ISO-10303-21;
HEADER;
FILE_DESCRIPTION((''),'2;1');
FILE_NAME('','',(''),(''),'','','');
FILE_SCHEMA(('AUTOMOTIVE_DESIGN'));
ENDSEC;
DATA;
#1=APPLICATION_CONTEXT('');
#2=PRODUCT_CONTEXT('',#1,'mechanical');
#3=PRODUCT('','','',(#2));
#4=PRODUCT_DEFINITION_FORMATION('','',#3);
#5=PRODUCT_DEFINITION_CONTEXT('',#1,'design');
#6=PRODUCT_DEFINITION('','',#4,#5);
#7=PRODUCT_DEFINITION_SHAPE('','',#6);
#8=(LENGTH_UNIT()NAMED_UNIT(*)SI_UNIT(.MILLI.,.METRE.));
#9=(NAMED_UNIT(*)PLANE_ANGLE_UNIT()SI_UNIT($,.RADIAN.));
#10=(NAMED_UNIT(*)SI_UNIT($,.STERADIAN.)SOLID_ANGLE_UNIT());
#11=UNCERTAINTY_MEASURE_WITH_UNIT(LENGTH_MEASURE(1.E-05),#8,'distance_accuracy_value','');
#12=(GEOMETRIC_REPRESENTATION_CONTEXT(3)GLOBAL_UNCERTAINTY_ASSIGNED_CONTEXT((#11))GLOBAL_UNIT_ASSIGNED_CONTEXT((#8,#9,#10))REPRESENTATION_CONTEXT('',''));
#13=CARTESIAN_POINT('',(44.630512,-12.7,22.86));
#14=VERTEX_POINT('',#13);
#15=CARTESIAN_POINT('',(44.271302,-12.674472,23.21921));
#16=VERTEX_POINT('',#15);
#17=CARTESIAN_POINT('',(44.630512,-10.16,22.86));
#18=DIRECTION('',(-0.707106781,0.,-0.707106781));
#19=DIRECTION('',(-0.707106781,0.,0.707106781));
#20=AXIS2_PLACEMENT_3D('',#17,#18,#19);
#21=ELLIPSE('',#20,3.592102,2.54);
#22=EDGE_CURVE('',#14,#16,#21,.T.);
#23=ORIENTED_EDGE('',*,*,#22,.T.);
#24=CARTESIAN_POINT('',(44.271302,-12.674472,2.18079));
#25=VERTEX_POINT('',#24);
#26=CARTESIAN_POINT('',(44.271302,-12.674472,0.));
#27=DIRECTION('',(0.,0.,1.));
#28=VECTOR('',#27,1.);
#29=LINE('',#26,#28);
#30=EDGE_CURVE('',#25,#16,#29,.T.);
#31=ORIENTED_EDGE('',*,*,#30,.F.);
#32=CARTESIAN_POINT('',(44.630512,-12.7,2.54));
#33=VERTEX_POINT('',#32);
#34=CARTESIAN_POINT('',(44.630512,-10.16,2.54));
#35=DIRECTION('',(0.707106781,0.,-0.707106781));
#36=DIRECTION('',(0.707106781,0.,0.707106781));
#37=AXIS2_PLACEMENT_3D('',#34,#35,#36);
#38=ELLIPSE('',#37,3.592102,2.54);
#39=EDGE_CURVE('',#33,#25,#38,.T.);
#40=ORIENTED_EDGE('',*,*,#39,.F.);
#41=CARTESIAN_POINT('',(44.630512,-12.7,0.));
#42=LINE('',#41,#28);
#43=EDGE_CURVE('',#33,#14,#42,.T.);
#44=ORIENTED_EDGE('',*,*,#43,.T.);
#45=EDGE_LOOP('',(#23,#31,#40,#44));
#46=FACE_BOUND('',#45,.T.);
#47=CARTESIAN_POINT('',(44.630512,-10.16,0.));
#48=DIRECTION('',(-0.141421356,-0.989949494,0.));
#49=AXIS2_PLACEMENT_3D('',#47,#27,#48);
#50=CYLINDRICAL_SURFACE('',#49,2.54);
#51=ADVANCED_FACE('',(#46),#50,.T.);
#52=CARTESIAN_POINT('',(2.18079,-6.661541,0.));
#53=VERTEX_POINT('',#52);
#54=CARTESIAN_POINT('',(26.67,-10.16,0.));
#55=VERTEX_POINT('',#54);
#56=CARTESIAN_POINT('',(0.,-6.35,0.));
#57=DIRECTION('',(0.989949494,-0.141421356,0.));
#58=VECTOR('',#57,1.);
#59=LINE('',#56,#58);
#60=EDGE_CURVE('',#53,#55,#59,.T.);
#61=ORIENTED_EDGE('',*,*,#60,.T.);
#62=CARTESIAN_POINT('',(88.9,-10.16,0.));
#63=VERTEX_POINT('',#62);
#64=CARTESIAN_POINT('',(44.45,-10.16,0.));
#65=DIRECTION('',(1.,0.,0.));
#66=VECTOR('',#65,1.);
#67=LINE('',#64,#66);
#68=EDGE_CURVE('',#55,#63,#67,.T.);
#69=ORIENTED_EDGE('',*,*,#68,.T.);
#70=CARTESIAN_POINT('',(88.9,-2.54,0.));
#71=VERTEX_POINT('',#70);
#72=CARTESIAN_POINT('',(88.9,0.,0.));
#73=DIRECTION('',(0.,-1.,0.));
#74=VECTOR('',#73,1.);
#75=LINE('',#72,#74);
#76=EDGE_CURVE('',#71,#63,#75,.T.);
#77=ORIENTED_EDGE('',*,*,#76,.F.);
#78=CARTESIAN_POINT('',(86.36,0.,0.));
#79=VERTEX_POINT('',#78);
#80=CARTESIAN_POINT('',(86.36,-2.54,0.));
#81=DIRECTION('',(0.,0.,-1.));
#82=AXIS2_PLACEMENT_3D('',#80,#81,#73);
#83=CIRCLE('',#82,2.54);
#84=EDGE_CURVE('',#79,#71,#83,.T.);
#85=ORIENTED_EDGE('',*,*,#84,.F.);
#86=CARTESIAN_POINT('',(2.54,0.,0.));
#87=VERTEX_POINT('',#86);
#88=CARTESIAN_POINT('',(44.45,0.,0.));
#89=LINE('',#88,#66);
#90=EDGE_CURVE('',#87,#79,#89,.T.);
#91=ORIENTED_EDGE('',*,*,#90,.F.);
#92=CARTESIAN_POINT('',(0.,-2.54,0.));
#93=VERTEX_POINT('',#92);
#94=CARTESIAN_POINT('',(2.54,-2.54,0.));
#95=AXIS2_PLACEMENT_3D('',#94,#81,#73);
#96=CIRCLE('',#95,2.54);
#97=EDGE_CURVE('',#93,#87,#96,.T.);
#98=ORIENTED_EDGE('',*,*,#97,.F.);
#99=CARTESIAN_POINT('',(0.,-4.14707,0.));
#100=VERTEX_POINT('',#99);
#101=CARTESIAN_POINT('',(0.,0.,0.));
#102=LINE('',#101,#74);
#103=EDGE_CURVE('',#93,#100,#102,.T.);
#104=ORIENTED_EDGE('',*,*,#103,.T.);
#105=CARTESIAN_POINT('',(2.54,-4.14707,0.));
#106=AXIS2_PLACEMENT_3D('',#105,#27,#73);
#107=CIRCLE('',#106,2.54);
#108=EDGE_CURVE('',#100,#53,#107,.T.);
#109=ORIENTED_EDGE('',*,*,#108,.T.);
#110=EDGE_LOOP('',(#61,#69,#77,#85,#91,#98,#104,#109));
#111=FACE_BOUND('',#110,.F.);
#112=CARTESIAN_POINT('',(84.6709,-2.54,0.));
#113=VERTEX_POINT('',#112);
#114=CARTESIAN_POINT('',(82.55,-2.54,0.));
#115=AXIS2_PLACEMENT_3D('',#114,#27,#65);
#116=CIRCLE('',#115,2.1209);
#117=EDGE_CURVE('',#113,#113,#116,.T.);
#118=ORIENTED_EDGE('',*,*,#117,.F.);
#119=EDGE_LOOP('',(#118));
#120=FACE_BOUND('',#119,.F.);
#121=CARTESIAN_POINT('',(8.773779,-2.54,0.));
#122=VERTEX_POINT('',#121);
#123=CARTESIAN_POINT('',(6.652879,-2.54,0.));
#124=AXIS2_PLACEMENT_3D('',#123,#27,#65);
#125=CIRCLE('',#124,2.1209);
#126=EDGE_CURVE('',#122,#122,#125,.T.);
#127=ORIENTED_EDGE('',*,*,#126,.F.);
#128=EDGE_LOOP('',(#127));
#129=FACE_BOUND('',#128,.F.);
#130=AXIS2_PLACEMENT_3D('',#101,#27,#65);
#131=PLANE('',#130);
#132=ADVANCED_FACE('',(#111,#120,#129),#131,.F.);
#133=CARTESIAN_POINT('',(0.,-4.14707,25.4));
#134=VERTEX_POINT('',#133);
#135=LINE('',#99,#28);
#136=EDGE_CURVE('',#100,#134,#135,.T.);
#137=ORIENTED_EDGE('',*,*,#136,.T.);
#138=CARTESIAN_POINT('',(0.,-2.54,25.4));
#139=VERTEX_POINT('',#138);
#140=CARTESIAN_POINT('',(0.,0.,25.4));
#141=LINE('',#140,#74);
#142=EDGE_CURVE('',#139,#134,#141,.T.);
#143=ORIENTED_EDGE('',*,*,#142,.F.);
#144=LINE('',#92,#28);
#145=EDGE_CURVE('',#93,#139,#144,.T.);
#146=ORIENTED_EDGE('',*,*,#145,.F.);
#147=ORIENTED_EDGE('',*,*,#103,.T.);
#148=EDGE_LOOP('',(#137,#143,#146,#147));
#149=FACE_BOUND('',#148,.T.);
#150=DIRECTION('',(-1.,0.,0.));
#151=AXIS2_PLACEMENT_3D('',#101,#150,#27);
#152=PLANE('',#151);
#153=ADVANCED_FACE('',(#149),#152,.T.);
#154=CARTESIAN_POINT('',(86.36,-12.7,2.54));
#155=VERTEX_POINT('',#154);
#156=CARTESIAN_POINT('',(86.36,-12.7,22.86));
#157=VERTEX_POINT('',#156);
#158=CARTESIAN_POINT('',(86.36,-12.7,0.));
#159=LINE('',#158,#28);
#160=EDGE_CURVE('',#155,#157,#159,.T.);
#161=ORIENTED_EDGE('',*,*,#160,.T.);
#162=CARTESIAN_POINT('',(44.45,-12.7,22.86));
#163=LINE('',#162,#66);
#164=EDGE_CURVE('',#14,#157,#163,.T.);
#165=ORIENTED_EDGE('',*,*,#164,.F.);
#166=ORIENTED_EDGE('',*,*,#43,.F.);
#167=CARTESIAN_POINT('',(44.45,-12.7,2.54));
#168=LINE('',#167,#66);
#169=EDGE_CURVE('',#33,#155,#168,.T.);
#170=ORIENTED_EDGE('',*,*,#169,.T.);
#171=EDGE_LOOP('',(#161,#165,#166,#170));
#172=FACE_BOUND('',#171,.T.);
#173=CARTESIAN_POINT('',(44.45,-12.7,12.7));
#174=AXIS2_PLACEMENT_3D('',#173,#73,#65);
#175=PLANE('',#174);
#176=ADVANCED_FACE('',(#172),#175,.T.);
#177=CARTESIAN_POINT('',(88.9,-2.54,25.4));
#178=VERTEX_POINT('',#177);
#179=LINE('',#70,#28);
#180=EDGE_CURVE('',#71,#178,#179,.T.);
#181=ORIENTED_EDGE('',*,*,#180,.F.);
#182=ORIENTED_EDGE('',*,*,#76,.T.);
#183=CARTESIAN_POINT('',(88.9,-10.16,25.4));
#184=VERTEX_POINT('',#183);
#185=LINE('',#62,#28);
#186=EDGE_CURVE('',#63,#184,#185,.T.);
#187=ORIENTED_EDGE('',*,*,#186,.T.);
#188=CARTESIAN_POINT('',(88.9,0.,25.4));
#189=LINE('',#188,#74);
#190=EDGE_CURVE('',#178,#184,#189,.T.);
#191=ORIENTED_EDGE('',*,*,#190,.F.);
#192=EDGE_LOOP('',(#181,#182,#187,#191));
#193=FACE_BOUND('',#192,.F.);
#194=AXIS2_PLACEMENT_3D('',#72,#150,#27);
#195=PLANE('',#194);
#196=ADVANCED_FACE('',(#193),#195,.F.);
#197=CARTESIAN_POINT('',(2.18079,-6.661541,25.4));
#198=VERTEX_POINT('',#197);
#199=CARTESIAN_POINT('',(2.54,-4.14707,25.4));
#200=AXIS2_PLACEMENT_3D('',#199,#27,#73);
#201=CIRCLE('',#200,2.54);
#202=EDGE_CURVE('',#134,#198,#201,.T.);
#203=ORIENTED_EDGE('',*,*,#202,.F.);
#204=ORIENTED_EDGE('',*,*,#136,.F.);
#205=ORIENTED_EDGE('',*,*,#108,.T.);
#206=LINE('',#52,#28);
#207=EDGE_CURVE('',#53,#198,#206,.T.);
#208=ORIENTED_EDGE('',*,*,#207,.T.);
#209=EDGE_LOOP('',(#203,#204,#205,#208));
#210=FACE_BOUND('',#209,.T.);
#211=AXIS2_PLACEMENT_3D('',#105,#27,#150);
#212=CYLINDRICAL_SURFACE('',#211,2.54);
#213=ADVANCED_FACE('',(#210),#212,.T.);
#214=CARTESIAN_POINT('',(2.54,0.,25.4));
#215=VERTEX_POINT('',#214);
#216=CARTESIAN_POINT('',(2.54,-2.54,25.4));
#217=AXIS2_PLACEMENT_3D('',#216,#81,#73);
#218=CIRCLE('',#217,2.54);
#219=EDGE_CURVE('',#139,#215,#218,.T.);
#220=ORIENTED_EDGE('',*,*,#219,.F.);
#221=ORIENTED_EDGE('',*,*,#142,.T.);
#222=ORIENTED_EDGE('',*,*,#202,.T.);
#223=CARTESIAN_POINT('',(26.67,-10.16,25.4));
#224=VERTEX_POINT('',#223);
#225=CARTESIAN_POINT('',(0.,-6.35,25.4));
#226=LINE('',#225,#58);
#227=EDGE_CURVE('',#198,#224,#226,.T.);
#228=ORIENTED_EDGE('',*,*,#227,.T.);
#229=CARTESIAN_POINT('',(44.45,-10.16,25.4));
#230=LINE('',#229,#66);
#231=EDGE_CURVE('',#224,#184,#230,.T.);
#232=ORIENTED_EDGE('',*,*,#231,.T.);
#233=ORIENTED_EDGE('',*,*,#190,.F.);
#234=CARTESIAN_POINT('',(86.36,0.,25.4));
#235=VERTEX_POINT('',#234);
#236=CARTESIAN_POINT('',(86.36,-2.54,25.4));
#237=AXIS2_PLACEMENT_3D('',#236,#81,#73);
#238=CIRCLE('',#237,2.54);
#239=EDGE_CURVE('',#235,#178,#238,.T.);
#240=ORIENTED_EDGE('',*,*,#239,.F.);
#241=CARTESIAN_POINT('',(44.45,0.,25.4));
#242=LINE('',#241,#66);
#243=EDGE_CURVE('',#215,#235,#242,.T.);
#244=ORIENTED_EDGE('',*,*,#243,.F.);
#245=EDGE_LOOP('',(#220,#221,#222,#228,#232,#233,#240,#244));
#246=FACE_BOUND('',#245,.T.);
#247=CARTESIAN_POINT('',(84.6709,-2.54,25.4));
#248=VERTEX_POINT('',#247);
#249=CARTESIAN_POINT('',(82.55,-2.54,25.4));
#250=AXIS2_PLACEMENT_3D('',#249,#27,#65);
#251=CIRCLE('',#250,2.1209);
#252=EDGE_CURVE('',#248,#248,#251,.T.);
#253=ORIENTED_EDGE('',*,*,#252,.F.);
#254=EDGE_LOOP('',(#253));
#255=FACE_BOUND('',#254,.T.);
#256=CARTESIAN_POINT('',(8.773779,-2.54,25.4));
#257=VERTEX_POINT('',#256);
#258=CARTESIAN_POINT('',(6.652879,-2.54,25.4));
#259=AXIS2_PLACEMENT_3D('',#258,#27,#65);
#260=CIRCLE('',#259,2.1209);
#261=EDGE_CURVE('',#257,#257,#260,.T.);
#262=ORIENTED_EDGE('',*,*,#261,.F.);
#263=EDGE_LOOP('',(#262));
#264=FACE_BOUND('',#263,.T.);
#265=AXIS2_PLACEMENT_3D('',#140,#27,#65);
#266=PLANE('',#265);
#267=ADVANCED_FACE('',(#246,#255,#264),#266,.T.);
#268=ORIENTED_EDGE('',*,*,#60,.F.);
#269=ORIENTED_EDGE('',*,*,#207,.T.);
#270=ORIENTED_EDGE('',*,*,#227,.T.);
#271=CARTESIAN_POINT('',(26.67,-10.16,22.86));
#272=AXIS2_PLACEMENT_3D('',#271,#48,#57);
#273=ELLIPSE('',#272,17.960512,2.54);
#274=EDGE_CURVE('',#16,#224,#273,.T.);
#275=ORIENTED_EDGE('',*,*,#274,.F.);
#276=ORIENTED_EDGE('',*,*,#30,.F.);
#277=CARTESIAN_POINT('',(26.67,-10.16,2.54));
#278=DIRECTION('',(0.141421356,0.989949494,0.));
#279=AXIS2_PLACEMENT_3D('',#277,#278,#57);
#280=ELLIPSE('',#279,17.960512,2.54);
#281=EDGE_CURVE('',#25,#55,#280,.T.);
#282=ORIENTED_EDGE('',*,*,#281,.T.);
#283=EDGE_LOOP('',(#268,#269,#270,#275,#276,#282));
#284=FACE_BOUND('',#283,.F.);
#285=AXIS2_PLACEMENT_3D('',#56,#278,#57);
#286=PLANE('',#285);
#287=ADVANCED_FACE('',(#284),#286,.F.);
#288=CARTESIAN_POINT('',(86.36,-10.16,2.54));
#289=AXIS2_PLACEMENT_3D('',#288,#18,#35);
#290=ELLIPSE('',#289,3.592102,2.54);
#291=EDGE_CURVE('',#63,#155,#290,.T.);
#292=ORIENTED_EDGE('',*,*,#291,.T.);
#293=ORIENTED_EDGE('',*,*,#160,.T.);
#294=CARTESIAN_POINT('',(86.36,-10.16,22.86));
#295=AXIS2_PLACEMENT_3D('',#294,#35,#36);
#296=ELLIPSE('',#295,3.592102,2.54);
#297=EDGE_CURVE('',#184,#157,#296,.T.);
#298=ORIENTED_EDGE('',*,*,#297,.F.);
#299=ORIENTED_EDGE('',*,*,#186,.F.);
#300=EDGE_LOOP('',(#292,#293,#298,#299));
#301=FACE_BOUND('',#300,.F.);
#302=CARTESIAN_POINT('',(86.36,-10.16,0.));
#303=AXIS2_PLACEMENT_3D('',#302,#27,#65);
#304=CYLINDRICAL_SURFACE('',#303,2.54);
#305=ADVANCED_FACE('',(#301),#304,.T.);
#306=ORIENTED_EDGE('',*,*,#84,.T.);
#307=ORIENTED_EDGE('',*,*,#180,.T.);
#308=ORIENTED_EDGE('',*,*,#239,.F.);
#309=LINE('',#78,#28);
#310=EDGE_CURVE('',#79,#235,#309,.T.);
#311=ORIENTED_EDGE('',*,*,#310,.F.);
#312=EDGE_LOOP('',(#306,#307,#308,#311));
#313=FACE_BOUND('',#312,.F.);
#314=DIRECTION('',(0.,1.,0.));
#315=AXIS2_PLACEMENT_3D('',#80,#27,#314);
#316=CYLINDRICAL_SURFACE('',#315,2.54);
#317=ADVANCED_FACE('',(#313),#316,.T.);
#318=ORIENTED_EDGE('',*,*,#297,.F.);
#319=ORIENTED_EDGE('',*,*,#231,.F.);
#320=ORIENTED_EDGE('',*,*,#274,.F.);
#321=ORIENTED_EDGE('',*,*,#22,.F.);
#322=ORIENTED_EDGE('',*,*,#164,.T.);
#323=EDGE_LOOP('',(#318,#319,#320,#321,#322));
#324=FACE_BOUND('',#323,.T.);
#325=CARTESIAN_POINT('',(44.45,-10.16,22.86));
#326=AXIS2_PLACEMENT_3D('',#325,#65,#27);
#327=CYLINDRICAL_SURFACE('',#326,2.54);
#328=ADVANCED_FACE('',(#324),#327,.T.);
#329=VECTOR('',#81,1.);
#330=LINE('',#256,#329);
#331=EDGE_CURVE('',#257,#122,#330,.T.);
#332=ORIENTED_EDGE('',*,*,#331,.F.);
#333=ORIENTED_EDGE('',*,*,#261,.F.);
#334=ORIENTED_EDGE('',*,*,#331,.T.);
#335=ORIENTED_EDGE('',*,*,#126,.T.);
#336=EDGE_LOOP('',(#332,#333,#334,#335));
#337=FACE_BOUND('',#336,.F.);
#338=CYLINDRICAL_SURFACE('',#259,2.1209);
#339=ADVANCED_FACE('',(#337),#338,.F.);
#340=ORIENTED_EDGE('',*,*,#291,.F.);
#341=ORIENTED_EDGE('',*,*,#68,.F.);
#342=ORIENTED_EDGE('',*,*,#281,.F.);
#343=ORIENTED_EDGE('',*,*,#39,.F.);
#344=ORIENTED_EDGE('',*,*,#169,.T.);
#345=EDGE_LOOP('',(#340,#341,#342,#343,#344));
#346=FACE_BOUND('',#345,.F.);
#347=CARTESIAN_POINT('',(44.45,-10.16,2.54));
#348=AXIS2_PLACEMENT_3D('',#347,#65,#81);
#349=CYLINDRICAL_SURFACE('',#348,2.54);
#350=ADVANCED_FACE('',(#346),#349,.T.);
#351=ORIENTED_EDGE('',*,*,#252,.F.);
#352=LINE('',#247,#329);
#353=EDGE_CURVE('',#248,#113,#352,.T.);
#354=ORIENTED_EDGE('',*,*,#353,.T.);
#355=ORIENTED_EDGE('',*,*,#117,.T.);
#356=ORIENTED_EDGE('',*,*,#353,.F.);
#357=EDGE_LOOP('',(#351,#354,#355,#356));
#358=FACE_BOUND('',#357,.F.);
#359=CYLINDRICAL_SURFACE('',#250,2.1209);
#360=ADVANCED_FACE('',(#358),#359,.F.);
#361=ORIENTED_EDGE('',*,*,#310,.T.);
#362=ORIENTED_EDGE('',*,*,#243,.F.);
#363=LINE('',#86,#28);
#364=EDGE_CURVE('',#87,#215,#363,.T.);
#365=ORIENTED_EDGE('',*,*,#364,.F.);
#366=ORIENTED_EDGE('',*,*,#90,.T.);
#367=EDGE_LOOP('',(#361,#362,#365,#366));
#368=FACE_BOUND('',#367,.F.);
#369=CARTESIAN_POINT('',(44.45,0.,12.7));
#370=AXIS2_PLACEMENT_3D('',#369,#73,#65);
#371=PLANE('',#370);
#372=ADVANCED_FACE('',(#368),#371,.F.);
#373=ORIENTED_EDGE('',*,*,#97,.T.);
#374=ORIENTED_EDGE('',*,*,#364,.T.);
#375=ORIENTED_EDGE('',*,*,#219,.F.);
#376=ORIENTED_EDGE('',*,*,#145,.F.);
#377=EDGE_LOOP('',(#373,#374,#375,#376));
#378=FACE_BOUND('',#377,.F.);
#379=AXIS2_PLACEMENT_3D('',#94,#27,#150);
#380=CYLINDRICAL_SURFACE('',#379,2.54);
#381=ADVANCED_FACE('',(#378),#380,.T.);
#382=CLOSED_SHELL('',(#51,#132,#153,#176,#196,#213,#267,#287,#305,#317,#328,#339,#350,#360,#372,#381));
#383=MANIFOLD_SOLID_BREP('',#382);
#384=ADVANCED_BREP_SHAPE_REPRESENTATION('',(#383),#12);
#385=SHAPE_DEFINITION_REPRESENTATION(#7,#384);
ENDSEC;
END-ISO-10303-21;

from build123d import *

# Parameters (mm, degrees)
F0_W     = 88.9
F0_H     = 25.4
F1_DEPTH = 12.7
F3_DEPTH = 25.4
F4_R     = 2.54
F5_R     = 2.1209
F6_DEPTH = 26.162


with BuildPart() as f1:
    # F0 (on Front) → F1 (new body)
    with BuildSketch(Plane.XZ):
        with Locations((44.45, 12.7)):
            Rectangle(F0_W, F0_H)
    extrude(amount=F1_DEPTH)

    # F2 (on face) → F3 (cut)
    with BuildSketch(Plane(origin=(0, 0, 0), x_dir=(1, 0, 0), z_dir=(0, 0, -1))):
        Polygon((0, 6.35), (44.45, 12.7), (0, 12.7), align=None)
    extrude(amount=-F3_DEPTH, mode=Mode.SUBTRACT)

    # F4
    f4_edges = [f1.edges().sort_by_distance(p)[0] for p in [
        (0, 0, 12.7),
        (0, -6.35, 12.7),
        (88.9, 0, 12.7),
        (66.675, -12.7, 0),
        (66.675, -12.7, 25.4),
        (88.9, -12.7, 12.7),
        (44.45, -12.7, 12.7),
    ]]
    fillet(f4_edges, radius=F4_R)

    # F5 (on face) → F6 (cut)
    with BuildSketch(Plane.XY.offset(25.4)):
        with Locations((82.55, -2.54)):
            Circle(F5_R)
        with Locations((6.6528792481, -2.54)):
            Circle(F5_R)
    extrude(amount=-F6_DEPTH, mode=Mode.SUBTRACT)


solid = f1.part
